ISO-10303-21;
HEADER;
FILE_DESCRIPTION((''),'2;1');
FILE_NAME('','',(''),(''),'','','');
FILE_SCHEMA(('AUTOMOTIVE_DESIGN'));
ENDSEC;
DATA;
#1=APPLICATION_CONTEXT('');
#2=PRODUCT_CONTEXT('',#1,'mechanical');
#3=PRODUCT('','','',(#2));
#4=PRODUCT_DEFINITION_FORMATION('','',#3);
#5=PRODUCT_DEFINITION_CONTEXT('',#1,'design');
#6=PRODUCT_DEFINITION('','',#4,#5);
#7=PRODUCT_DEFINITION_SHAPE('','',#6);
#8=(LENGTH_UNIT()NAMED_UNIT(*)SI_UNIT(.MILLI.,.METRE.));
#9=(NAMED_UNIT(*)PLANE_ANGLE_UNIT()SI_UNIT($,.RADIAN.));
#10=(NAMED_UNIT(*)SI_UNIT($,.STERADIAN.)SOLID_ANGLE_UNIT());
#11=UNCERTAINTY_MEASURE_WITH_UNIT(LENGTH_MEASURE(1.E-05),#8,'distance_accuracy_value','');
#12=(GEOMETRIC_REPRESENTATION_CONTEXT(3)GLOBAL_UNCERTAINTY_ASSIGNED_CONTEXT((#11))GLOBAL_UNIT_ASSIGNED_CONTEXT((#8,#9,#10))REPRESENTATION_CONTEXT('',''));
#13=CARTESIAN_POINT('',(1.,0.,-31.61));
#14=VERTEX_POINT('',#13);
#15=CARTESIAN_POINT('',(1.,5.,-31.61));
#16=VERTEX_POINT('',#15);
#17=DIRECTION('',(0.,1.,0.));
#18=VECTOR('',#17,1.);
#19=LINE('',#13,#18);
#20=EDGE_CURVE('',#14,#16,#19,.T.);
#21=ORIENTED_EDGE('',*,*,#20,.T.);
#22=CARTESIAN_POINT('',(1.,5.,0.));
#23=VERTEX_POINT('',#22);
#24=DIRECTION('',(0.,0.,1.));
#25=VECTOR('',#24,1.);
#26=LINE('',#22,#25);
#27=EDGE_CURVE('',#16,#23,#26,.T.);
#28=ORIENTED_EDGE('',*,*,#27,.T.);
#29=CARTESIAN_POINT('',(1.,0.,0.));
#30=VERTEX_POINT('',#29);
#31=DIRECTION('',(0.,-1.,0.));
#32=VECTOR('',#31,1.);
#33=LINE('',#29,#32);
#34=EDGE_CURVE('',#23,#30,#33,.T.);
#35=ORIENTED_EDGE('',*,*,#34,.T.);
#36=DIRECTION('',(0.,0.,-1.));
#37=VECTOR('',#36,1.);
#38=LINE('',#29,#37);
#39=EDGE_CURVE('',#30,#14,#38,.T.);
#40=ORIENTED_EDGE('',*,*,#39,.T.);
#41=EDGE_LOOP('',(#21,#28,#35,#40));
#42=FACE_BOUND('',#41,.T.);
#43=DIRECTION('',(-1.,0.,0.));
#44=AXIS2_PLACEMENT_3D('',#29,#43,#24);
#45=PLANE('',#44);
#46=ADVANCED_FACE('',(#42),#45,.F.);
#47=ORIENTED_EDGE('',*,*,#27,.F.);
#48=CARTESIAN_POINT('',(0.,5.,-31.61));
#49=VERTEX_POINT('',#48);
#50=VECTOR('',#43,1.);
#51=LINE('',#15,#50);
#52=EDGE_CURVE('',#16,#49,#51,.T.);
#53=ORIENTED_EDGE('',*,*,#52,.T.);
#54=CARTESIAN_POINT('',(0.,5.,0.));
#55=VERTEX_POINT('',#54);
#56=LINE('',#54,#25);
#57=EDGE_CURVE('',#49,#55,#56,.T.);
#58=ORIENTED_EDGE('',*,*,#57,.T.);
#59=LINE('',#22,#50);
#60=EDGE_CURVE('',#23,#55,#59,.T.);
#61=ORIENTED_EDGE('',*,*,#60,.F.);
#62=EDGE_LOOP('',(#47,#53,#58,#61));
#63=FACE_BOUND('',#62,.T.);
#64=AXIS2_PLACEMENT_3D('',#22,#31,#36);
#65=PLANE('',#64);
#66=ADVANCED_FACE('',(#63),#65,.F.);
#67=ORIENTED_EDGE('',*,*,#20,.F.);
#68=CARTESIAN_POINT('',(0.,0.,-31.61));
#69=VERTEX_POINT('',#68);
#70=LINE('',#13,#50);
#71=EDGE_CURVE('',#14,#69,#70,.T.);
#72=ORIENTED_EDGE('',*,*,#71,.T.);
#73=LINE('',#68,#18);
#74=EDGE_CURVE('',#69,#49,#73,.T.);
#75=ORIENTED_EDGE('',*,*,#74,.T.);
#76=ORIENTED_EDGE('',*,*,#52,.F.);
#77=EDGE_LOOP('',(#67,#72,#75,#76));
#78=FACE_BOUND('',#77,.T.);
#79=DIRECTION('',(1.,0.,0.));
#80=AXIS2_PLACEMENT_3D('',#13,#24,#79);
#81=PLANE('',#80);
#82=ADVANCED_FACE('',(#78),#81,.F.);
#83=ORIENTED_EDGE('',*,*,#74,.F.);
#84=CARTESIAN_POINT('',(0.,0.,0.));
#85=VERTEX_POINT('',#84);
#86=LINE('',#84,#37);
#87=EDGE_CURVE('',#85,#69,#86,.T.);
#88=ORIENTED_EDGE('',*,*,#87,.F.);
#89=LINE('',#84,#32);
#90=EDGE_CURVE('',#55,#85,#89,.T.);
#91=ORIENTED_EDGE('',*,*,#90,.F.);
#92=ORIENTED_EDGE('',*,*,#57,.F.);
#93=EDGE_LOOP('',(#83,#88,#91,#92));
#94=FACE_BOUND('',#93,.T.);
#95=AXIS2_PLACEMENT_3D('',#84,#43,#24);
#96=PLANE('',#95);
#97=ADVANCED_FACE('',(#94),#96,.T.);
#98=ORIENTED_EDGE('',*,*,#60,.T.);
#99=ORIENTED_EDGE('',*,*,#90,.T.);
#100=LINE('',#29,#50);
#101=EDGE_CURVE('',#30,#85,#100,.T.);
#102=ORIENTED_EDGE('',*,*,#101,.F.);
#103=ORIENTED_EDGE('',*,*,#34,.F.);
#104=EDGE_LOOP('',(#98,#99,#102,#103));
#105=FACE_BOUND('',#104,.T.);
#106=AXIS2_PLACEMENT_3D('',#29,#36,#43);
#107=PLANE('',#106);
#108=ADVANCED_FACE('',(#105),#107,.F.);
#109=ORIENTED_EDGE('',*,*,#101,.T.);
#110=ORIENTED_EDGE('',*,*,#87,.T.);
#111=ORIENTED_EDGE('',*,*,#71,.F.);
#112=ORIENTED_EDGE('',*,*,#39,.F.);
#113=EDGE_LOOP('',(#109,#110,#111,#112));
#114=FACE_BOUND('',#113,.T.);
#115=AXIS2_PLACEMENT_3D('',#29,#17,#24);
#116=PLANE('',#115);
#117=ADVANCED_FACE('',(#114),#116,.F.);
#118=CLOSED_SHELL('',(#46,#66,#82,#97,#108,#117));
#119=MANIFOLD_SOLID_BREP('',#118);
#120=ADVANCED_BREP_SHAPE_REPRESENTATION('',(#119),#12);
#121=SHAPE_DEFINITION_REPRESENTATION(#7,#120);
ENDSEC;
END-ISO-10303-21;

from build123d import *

# Parameters (mm, degrees)
SKETCH_1_W      = 31.61
SKETCH_1_H      = 5
EXTRUDE_1_DEPTH = 1


with BuildPart() as part:
    # Эскиз1 → Бобышка-Вытянуть1 (new body)
    with BuildSketch(Plane(origin=(0, 0, 0), x_dir=(0, 0, -1), z_dir=(1, 0, 0))):
        with Locations((15.805, 2.5)):
            Rectangle(SKETCH_1_W, SKETCH_1_H)
    extrude(amount=EXTRUDE_1_DEPTH)


solid = part.part
